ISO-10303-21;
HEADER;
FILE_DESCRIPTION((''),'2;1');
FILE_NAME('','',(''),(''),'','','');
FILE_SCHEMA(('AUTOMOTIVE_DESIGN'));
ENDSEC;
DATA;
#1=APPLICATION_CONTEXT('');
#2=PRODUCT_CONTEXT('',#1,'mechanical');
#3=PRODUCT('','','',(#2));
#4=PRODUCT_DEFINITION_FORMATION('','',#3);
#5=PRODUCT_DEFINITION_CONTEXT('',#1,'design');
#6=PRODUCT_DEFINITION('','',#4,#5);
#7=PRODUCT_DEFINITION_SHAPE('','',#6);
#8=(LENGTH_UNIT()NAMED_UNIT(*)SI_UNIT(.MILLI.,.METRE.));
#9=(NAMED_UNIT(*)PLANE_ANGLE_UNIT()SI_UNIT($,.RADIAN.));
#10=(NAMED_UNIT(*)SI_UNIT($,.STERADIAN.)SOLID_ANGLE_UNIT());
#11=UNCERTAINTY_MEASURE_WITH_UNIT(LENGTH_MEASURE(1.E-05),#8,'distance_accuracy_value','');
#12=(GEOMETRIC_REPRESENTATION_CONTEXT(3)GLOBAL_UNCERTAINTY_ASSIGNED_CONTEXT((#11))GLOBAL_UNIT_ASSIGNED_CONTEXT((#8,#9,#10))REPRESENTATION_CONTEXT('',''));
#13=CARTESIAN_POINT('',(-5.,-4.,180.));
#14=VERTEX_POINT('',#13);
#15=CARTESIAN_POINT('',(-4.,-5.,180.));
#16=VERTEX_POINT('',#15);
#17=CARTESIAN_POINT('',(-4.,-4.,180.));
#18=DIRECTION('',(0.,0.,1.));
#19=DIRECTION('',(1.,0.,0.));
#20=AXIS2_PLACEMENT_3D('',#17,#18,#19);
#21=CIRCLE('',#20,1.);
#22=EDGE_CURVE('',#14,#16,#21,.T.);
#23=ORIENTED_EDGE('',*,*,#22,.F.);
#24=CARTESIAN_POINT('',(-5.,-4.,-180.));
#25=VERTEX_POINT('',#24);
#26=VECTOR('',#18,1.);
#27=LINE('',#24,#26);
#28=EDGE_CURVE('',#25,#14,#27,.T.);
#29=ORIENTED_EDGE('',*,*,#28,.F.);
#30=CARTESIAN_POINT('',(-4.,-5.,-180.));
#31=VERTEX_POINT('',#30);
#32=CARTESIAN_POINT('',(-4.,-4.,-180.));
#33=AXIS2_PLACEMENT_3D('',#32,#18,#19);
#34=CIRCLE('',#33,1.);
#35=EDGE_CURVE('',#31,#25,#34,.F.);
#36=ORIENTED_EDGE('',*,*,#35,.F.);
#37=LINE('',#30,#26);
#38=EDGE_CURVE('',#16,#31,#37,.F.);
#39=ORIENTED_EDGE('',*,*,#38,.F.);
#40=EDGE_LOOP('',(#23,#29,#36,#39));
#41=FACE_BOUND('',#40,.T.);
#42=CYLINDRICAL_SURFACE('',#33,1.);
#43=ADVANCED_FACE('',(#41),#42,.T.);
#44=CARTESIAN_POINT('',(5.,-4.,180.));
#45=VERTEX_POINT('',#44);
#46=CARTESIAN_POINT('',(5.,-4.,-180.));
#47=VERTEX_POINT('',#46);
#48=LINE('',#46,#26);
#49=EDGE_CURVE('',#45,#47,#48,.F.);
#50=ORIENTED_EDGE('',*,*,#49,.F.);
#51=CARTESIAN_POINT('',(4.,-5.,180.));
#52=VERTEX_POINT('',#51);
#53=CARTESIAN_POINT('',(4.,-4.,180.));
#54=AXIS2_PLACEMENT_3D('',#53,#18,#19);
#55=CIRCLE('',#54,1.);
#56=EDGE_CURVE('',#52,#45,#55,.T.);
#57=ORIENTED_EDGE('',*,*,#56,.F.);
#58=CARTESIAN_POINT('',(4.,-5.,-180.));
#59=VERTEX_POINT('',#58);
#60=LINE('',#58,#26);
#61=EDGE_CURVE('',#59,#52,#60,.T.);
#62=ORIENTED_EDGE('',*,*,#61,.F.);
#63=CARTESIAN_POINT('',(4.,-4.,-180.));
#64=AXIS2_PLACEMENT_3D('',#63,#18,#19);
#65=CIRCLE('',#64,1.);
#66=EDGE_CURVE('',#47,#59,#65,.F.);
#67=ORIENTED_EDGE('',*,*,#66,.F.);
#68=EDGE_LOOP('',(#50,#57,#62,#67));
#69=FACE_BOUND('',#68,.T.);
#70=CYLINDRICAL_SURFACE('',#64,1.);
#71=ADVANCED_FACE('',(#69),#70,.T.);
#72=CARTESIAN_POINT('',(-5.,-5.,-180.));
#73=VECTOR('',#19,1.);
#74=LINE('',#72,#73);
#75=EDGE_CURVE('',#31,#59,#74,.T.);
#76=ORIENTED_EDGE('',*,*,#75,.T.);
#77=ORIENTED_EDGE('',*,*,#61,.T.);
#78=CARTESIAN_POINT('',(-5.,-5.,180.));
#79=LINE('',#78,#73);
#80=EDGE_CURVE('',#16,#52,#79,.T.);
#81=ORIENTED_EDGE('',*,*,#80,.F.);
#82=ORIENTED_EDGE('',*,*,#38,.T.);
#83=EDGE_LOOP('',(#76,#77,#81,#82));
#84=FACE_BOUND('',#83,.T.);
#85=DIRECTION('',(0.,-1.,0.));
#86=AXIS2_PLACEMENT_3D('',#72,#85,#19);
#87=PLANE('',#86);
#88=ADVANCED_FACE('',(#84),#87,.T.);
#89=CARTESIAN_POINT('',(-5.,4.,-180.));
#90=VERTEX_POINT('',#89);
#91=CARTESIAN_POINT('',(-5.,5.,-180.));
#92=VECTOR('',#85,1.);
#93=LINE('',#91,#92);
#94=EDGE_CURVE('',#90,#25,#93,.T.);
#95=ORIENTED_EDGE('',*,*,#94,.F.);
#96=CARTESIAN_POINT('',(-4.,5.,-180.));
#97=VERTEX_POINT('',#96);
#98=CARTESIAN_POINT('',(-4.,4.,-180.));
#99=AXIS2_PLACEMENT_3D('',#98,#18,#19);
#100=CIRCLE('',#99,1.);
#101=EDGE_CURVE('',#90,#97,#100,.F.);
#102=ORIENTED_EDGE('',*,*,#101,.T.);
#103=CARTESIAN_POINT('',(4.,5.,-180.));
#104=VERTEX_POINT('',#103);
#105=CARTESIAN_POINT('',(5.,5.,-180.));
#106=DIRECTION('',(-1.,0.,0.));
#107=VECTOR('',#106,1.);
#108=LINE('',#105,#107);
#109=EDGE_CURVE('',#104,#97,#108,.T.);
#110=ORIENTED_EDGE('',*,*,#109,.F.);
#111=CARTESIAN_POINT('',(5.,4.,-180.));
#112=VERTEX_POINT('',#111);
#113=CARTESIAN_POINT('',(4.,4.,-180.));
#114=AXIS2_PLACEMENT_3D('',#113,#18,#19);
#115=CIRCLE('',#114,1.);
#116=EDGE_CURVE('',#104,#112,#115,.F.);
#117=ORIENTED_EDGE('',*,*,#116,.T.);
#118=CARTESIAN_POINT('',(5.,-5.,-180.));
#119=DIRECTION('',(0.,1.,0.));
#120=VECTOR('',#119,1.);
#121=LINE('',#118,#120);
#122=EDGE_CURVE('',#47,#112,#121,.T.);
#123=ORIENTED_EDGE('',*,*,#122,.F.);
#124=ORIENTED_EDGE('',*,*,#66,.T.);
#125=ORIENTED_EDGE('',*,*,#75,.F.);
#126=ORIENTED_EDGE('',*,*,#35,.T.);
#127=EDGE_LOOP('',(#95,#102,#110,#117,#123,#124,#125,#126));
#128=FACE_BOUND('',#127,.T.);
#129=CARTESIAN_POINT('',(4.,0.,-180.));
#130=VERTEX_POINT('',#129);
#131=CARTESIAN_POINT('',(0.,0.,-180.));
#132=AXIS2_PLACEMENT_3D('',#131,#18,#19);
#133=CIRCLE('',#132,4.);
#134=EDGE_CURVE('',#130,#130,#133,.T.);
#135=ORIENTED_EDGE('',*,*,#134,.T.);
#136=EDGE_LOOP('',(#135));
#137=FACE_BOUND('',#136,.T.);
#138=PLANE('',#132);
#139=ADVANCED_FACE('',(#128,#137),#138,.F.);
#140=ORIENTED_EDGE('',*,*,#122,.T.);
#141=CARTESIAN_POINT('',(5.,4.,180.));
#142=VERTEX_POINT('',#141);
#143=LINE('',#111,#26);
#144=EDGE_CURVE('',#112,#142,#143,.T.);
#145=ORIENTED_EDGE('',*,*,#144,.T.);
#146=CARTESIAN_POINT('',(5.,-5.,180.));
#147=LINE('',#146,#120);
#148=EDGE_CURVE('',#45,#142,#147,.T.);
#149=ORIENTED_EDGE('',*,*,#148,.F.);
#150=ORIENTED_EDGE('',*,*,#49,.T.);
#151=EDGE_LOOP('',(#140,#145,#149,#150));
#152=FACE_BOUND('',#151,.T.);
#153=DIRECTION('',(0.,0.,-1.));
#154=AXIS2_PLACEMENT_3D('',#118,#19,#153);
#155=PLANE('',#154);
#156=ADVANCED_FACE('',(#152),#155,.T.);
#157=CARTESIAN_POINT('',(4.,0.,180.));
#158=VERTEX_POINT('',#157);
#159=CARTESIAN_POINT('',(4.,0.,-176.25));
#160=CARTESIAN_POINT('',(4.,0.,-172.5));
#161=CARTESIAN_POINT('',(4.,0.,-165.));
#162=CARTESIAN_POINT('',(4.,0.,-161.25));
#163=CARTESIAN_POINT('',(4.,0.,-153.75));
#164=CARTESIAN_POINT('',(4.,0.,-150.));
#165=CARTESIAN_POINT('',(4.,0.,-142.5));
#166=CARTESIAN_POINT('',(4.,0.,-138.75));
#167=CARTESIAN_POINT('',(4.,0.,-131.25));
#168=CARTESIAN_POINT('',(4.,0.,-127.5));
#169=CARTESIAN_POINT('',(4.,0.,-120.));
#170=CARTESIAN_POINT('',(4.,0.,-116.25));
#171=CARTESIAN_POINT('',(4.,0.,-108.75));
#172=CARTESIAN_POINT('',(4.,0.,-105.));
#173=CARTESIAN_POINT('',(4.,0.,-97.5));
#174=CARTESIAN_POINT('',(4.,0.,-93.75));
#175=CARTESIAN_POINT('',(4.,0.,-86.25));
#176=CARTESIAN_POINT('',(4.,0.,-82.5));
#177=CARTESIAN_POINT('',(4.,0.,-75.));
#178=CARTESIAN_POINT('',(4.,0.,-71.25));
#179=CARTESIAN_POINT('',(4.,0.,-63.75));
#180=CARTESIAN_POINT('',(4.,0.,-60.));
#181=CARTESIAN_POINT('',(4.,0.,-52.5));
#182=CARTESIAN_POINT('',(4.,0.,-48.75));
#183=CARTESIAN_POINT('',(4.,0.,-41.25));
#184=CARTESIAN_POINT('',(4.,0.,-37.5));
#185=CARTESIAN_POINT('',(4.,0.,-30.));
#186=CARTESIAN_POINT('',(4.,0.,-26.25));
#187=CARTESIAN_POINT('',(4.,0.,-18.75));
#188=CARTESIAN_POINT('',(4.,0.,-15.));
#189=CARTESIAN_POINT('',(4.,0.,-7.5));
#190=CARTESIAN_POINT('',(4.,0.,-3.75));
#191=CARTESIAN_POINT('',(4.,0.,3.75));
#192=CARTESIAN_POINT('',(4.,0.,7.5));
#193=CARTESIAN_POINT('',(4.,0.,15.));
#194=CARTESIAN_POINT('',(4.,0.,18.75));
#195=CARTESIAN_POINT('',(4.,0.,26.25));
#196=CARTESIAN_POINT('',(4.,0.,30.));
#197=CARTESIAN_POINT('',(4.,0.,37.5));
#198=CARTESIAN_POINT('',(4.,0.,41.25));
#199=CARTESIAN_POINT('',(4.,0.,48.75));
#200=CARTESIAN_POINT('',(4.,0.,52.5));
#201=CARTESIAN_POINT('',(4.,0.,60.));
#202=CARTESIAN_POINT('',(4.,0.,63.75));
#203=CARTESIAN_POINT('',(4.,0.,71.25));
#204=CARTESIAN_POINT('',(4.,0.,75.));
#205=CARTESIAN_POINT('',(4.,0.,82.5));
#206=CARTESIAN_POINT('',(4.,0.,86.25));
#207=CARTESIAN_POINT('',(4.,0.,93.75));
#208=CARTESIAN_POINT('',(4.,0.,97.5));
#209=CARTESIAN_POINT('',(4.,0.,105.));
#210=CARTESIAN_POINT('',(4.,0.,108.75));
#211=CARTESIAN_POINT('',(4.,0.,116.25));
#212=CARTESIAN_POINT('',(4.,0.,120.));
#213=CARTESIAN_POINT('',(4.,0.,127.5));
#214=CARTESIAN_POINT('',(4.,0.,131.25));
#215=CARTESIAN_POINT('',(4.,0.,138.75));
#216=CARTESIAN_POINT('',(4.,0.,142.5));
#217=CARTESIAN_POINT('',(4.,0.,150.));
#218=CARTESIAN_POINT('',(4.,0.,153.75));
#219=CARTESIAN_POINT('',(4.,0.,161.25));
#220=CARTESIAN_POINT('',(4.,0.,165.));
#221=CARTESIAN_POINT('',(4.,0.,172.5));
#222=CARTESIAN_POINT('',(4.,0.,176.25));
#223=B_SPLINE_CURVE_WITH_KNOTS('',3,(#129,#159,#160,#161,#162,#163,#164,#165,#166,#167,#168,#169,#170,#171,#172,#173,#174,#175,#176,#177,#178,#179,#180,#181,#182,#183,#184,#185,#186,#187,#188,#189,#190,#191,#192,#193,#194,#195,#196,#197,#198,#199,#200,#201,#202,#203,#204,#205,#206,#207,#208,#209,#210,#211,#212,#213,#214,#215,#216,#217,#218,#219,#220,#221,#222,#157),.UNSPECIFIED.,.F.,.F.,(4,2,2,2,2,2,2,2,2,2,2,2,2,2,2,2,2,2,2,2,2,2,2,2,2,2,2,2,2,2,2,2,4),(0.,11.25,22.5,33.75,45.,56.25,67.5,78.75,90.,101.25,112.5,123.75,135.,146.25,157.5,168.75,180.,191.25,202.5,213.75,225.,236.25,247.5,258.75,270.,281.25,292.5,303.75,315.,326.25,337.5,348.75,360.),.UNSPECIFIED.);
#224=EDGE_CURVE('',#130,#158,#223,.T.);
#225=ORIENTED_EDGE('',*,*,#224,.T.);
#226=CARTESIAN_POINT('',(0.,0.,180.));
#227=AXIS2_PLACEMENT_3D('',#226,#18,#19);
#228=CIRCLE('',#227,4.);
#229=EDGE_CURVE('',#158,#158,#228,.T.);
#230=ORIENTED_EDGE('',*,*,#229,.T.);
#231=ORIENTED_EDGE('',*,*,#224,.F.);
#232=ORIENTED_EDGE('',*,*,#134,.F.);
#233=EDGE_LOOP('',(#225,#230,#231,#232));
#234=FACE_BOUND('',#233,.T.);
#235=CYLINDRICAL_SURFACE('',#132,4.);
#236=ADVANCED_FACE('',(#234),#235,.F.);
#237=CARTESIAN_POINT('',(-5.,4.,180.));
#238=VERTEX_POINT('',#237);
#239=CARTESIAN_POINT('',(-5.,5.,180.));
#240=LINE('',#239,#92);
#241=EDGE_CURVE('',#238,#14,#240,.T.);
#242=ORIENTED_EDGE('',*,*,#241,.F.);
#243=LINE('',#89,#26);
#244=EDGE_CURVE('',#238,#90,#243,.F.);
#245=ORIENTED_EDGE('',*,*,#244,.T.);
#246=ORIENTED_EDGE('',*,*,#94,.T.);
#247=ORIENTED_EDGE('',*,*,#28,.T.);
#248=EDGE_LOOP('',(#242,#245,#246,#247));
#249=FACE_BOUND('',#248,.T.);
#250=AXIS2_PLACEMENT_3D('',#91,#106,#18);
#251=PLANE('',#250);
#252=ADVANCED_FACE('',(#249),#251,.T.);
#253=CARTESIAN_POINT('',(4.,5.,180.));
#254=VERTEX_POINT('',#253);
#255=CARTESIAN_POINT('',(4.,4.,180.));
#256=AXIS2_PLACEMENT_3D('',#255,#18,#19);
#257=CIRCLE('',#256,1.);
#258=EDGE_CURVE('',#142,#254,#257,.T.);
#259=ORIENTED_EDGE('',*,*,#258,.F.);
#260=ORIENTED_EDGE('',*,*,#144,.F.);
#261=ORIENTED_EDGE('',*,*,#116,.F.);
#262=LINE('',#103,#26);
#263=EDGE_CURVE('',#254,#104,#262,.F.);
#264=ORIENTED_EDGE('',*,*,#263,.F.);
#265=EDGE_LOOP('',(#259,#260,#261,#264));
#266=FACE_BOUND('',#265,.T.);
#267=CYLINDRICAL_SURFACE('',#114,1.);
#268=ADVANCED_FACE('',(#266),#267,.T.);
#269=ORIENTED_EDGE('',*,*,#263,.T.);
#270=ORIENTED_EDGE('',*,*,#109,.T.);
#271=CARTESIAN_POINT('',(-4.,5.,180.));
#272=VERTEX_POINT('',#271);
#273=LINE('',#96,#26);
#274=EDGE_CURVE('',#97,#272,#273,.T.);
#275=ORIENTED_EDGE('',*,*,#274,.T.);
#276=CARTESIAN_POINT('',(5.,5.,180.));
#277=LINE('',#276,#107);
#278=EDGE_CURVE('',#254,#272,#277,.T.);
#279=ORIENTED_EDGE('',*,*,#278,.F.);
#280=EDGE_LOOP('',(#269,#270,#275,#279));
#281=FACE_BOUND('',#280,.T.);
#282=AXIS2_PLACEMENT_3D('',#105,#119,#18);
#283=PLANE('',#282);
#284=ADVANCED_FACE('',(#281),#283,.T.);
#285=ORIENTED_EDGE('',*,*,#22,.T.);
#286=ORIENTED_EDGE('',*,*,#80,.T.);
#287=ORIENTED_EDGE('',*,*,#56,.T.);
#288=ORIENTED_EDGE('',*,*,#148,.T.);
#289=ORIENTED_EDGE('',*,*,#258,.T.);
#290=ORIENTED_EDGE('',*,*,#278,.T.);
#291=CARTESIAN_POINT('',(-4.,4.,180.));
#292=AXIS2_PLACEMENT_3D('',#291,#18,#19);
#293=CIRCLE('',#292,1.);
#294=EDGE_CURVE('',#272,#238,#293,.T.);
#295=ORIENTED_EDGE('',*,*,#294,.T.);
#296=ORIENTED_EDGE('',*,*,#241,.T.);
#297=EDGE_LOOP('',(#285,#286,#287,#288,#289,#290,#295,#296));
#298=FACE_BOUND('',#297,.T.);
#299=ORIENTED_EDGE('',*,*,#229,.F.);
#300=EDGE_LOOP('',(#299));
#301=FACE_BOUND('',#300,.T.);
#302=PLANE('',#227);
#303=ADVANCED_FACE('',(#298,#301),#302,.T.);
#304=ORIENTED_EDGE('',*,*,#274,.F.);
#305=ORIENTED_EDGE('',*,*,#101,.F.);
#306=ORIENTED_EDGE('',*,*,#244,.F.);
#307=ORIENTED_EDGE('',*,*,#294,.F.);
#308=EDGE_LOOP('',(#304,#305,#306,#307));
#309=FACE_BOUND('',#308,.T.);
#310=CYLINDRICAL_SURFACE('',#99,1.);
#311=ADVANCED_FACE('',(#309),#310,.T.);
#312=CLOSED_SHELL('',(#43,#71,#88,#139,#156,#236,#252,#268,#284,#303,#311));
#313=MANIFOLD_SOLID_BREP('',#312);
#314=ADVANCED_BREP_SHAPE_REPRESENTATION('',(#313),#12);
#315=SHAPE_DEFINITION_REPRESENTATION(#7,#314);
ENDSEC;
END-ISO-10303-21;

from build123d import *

# Parameters (mm, degrees)
BOSS_EXTRUDE1_DEPTH      = 180
BOSS_EXTRUDE1_DEPTH_BACK = 180
SKETCH1_W                = 10
SKETCH1_H                = 10
SKETCH1_R                = 4
FILLET1_R                = 1


with BuildPart() as part:
    # Sketch1 → Boss-Extrude1 (new, two sides: drawn at the far end of the back side and taken through both)
    with BuildSketch(Plane.XY.offset(-BOSS_EXTRUDE1_DEPTH_BACK)):
        Rectangle(SKETCH1_W, SKETCH1_H)
        Circle(SKETCH1_R, mode=Mode.SUBTRACT)
    extrude(amount=BOSS_EXTRUDE1_DEPTH + BOSS_EXTRUDE1_DEPTH_BACK)

    # Fillet1
    fillet1_edges = [part.edges().sort_by_distance(p)[0] for p in [
        (-5, 5, 0),
        (5, 5, 0),
        (5, -5, 0),
        (-5, -5, 0),
    ]]
    fillet(fillet1_edges, radius=FILLET1_R)


solid = part.part
